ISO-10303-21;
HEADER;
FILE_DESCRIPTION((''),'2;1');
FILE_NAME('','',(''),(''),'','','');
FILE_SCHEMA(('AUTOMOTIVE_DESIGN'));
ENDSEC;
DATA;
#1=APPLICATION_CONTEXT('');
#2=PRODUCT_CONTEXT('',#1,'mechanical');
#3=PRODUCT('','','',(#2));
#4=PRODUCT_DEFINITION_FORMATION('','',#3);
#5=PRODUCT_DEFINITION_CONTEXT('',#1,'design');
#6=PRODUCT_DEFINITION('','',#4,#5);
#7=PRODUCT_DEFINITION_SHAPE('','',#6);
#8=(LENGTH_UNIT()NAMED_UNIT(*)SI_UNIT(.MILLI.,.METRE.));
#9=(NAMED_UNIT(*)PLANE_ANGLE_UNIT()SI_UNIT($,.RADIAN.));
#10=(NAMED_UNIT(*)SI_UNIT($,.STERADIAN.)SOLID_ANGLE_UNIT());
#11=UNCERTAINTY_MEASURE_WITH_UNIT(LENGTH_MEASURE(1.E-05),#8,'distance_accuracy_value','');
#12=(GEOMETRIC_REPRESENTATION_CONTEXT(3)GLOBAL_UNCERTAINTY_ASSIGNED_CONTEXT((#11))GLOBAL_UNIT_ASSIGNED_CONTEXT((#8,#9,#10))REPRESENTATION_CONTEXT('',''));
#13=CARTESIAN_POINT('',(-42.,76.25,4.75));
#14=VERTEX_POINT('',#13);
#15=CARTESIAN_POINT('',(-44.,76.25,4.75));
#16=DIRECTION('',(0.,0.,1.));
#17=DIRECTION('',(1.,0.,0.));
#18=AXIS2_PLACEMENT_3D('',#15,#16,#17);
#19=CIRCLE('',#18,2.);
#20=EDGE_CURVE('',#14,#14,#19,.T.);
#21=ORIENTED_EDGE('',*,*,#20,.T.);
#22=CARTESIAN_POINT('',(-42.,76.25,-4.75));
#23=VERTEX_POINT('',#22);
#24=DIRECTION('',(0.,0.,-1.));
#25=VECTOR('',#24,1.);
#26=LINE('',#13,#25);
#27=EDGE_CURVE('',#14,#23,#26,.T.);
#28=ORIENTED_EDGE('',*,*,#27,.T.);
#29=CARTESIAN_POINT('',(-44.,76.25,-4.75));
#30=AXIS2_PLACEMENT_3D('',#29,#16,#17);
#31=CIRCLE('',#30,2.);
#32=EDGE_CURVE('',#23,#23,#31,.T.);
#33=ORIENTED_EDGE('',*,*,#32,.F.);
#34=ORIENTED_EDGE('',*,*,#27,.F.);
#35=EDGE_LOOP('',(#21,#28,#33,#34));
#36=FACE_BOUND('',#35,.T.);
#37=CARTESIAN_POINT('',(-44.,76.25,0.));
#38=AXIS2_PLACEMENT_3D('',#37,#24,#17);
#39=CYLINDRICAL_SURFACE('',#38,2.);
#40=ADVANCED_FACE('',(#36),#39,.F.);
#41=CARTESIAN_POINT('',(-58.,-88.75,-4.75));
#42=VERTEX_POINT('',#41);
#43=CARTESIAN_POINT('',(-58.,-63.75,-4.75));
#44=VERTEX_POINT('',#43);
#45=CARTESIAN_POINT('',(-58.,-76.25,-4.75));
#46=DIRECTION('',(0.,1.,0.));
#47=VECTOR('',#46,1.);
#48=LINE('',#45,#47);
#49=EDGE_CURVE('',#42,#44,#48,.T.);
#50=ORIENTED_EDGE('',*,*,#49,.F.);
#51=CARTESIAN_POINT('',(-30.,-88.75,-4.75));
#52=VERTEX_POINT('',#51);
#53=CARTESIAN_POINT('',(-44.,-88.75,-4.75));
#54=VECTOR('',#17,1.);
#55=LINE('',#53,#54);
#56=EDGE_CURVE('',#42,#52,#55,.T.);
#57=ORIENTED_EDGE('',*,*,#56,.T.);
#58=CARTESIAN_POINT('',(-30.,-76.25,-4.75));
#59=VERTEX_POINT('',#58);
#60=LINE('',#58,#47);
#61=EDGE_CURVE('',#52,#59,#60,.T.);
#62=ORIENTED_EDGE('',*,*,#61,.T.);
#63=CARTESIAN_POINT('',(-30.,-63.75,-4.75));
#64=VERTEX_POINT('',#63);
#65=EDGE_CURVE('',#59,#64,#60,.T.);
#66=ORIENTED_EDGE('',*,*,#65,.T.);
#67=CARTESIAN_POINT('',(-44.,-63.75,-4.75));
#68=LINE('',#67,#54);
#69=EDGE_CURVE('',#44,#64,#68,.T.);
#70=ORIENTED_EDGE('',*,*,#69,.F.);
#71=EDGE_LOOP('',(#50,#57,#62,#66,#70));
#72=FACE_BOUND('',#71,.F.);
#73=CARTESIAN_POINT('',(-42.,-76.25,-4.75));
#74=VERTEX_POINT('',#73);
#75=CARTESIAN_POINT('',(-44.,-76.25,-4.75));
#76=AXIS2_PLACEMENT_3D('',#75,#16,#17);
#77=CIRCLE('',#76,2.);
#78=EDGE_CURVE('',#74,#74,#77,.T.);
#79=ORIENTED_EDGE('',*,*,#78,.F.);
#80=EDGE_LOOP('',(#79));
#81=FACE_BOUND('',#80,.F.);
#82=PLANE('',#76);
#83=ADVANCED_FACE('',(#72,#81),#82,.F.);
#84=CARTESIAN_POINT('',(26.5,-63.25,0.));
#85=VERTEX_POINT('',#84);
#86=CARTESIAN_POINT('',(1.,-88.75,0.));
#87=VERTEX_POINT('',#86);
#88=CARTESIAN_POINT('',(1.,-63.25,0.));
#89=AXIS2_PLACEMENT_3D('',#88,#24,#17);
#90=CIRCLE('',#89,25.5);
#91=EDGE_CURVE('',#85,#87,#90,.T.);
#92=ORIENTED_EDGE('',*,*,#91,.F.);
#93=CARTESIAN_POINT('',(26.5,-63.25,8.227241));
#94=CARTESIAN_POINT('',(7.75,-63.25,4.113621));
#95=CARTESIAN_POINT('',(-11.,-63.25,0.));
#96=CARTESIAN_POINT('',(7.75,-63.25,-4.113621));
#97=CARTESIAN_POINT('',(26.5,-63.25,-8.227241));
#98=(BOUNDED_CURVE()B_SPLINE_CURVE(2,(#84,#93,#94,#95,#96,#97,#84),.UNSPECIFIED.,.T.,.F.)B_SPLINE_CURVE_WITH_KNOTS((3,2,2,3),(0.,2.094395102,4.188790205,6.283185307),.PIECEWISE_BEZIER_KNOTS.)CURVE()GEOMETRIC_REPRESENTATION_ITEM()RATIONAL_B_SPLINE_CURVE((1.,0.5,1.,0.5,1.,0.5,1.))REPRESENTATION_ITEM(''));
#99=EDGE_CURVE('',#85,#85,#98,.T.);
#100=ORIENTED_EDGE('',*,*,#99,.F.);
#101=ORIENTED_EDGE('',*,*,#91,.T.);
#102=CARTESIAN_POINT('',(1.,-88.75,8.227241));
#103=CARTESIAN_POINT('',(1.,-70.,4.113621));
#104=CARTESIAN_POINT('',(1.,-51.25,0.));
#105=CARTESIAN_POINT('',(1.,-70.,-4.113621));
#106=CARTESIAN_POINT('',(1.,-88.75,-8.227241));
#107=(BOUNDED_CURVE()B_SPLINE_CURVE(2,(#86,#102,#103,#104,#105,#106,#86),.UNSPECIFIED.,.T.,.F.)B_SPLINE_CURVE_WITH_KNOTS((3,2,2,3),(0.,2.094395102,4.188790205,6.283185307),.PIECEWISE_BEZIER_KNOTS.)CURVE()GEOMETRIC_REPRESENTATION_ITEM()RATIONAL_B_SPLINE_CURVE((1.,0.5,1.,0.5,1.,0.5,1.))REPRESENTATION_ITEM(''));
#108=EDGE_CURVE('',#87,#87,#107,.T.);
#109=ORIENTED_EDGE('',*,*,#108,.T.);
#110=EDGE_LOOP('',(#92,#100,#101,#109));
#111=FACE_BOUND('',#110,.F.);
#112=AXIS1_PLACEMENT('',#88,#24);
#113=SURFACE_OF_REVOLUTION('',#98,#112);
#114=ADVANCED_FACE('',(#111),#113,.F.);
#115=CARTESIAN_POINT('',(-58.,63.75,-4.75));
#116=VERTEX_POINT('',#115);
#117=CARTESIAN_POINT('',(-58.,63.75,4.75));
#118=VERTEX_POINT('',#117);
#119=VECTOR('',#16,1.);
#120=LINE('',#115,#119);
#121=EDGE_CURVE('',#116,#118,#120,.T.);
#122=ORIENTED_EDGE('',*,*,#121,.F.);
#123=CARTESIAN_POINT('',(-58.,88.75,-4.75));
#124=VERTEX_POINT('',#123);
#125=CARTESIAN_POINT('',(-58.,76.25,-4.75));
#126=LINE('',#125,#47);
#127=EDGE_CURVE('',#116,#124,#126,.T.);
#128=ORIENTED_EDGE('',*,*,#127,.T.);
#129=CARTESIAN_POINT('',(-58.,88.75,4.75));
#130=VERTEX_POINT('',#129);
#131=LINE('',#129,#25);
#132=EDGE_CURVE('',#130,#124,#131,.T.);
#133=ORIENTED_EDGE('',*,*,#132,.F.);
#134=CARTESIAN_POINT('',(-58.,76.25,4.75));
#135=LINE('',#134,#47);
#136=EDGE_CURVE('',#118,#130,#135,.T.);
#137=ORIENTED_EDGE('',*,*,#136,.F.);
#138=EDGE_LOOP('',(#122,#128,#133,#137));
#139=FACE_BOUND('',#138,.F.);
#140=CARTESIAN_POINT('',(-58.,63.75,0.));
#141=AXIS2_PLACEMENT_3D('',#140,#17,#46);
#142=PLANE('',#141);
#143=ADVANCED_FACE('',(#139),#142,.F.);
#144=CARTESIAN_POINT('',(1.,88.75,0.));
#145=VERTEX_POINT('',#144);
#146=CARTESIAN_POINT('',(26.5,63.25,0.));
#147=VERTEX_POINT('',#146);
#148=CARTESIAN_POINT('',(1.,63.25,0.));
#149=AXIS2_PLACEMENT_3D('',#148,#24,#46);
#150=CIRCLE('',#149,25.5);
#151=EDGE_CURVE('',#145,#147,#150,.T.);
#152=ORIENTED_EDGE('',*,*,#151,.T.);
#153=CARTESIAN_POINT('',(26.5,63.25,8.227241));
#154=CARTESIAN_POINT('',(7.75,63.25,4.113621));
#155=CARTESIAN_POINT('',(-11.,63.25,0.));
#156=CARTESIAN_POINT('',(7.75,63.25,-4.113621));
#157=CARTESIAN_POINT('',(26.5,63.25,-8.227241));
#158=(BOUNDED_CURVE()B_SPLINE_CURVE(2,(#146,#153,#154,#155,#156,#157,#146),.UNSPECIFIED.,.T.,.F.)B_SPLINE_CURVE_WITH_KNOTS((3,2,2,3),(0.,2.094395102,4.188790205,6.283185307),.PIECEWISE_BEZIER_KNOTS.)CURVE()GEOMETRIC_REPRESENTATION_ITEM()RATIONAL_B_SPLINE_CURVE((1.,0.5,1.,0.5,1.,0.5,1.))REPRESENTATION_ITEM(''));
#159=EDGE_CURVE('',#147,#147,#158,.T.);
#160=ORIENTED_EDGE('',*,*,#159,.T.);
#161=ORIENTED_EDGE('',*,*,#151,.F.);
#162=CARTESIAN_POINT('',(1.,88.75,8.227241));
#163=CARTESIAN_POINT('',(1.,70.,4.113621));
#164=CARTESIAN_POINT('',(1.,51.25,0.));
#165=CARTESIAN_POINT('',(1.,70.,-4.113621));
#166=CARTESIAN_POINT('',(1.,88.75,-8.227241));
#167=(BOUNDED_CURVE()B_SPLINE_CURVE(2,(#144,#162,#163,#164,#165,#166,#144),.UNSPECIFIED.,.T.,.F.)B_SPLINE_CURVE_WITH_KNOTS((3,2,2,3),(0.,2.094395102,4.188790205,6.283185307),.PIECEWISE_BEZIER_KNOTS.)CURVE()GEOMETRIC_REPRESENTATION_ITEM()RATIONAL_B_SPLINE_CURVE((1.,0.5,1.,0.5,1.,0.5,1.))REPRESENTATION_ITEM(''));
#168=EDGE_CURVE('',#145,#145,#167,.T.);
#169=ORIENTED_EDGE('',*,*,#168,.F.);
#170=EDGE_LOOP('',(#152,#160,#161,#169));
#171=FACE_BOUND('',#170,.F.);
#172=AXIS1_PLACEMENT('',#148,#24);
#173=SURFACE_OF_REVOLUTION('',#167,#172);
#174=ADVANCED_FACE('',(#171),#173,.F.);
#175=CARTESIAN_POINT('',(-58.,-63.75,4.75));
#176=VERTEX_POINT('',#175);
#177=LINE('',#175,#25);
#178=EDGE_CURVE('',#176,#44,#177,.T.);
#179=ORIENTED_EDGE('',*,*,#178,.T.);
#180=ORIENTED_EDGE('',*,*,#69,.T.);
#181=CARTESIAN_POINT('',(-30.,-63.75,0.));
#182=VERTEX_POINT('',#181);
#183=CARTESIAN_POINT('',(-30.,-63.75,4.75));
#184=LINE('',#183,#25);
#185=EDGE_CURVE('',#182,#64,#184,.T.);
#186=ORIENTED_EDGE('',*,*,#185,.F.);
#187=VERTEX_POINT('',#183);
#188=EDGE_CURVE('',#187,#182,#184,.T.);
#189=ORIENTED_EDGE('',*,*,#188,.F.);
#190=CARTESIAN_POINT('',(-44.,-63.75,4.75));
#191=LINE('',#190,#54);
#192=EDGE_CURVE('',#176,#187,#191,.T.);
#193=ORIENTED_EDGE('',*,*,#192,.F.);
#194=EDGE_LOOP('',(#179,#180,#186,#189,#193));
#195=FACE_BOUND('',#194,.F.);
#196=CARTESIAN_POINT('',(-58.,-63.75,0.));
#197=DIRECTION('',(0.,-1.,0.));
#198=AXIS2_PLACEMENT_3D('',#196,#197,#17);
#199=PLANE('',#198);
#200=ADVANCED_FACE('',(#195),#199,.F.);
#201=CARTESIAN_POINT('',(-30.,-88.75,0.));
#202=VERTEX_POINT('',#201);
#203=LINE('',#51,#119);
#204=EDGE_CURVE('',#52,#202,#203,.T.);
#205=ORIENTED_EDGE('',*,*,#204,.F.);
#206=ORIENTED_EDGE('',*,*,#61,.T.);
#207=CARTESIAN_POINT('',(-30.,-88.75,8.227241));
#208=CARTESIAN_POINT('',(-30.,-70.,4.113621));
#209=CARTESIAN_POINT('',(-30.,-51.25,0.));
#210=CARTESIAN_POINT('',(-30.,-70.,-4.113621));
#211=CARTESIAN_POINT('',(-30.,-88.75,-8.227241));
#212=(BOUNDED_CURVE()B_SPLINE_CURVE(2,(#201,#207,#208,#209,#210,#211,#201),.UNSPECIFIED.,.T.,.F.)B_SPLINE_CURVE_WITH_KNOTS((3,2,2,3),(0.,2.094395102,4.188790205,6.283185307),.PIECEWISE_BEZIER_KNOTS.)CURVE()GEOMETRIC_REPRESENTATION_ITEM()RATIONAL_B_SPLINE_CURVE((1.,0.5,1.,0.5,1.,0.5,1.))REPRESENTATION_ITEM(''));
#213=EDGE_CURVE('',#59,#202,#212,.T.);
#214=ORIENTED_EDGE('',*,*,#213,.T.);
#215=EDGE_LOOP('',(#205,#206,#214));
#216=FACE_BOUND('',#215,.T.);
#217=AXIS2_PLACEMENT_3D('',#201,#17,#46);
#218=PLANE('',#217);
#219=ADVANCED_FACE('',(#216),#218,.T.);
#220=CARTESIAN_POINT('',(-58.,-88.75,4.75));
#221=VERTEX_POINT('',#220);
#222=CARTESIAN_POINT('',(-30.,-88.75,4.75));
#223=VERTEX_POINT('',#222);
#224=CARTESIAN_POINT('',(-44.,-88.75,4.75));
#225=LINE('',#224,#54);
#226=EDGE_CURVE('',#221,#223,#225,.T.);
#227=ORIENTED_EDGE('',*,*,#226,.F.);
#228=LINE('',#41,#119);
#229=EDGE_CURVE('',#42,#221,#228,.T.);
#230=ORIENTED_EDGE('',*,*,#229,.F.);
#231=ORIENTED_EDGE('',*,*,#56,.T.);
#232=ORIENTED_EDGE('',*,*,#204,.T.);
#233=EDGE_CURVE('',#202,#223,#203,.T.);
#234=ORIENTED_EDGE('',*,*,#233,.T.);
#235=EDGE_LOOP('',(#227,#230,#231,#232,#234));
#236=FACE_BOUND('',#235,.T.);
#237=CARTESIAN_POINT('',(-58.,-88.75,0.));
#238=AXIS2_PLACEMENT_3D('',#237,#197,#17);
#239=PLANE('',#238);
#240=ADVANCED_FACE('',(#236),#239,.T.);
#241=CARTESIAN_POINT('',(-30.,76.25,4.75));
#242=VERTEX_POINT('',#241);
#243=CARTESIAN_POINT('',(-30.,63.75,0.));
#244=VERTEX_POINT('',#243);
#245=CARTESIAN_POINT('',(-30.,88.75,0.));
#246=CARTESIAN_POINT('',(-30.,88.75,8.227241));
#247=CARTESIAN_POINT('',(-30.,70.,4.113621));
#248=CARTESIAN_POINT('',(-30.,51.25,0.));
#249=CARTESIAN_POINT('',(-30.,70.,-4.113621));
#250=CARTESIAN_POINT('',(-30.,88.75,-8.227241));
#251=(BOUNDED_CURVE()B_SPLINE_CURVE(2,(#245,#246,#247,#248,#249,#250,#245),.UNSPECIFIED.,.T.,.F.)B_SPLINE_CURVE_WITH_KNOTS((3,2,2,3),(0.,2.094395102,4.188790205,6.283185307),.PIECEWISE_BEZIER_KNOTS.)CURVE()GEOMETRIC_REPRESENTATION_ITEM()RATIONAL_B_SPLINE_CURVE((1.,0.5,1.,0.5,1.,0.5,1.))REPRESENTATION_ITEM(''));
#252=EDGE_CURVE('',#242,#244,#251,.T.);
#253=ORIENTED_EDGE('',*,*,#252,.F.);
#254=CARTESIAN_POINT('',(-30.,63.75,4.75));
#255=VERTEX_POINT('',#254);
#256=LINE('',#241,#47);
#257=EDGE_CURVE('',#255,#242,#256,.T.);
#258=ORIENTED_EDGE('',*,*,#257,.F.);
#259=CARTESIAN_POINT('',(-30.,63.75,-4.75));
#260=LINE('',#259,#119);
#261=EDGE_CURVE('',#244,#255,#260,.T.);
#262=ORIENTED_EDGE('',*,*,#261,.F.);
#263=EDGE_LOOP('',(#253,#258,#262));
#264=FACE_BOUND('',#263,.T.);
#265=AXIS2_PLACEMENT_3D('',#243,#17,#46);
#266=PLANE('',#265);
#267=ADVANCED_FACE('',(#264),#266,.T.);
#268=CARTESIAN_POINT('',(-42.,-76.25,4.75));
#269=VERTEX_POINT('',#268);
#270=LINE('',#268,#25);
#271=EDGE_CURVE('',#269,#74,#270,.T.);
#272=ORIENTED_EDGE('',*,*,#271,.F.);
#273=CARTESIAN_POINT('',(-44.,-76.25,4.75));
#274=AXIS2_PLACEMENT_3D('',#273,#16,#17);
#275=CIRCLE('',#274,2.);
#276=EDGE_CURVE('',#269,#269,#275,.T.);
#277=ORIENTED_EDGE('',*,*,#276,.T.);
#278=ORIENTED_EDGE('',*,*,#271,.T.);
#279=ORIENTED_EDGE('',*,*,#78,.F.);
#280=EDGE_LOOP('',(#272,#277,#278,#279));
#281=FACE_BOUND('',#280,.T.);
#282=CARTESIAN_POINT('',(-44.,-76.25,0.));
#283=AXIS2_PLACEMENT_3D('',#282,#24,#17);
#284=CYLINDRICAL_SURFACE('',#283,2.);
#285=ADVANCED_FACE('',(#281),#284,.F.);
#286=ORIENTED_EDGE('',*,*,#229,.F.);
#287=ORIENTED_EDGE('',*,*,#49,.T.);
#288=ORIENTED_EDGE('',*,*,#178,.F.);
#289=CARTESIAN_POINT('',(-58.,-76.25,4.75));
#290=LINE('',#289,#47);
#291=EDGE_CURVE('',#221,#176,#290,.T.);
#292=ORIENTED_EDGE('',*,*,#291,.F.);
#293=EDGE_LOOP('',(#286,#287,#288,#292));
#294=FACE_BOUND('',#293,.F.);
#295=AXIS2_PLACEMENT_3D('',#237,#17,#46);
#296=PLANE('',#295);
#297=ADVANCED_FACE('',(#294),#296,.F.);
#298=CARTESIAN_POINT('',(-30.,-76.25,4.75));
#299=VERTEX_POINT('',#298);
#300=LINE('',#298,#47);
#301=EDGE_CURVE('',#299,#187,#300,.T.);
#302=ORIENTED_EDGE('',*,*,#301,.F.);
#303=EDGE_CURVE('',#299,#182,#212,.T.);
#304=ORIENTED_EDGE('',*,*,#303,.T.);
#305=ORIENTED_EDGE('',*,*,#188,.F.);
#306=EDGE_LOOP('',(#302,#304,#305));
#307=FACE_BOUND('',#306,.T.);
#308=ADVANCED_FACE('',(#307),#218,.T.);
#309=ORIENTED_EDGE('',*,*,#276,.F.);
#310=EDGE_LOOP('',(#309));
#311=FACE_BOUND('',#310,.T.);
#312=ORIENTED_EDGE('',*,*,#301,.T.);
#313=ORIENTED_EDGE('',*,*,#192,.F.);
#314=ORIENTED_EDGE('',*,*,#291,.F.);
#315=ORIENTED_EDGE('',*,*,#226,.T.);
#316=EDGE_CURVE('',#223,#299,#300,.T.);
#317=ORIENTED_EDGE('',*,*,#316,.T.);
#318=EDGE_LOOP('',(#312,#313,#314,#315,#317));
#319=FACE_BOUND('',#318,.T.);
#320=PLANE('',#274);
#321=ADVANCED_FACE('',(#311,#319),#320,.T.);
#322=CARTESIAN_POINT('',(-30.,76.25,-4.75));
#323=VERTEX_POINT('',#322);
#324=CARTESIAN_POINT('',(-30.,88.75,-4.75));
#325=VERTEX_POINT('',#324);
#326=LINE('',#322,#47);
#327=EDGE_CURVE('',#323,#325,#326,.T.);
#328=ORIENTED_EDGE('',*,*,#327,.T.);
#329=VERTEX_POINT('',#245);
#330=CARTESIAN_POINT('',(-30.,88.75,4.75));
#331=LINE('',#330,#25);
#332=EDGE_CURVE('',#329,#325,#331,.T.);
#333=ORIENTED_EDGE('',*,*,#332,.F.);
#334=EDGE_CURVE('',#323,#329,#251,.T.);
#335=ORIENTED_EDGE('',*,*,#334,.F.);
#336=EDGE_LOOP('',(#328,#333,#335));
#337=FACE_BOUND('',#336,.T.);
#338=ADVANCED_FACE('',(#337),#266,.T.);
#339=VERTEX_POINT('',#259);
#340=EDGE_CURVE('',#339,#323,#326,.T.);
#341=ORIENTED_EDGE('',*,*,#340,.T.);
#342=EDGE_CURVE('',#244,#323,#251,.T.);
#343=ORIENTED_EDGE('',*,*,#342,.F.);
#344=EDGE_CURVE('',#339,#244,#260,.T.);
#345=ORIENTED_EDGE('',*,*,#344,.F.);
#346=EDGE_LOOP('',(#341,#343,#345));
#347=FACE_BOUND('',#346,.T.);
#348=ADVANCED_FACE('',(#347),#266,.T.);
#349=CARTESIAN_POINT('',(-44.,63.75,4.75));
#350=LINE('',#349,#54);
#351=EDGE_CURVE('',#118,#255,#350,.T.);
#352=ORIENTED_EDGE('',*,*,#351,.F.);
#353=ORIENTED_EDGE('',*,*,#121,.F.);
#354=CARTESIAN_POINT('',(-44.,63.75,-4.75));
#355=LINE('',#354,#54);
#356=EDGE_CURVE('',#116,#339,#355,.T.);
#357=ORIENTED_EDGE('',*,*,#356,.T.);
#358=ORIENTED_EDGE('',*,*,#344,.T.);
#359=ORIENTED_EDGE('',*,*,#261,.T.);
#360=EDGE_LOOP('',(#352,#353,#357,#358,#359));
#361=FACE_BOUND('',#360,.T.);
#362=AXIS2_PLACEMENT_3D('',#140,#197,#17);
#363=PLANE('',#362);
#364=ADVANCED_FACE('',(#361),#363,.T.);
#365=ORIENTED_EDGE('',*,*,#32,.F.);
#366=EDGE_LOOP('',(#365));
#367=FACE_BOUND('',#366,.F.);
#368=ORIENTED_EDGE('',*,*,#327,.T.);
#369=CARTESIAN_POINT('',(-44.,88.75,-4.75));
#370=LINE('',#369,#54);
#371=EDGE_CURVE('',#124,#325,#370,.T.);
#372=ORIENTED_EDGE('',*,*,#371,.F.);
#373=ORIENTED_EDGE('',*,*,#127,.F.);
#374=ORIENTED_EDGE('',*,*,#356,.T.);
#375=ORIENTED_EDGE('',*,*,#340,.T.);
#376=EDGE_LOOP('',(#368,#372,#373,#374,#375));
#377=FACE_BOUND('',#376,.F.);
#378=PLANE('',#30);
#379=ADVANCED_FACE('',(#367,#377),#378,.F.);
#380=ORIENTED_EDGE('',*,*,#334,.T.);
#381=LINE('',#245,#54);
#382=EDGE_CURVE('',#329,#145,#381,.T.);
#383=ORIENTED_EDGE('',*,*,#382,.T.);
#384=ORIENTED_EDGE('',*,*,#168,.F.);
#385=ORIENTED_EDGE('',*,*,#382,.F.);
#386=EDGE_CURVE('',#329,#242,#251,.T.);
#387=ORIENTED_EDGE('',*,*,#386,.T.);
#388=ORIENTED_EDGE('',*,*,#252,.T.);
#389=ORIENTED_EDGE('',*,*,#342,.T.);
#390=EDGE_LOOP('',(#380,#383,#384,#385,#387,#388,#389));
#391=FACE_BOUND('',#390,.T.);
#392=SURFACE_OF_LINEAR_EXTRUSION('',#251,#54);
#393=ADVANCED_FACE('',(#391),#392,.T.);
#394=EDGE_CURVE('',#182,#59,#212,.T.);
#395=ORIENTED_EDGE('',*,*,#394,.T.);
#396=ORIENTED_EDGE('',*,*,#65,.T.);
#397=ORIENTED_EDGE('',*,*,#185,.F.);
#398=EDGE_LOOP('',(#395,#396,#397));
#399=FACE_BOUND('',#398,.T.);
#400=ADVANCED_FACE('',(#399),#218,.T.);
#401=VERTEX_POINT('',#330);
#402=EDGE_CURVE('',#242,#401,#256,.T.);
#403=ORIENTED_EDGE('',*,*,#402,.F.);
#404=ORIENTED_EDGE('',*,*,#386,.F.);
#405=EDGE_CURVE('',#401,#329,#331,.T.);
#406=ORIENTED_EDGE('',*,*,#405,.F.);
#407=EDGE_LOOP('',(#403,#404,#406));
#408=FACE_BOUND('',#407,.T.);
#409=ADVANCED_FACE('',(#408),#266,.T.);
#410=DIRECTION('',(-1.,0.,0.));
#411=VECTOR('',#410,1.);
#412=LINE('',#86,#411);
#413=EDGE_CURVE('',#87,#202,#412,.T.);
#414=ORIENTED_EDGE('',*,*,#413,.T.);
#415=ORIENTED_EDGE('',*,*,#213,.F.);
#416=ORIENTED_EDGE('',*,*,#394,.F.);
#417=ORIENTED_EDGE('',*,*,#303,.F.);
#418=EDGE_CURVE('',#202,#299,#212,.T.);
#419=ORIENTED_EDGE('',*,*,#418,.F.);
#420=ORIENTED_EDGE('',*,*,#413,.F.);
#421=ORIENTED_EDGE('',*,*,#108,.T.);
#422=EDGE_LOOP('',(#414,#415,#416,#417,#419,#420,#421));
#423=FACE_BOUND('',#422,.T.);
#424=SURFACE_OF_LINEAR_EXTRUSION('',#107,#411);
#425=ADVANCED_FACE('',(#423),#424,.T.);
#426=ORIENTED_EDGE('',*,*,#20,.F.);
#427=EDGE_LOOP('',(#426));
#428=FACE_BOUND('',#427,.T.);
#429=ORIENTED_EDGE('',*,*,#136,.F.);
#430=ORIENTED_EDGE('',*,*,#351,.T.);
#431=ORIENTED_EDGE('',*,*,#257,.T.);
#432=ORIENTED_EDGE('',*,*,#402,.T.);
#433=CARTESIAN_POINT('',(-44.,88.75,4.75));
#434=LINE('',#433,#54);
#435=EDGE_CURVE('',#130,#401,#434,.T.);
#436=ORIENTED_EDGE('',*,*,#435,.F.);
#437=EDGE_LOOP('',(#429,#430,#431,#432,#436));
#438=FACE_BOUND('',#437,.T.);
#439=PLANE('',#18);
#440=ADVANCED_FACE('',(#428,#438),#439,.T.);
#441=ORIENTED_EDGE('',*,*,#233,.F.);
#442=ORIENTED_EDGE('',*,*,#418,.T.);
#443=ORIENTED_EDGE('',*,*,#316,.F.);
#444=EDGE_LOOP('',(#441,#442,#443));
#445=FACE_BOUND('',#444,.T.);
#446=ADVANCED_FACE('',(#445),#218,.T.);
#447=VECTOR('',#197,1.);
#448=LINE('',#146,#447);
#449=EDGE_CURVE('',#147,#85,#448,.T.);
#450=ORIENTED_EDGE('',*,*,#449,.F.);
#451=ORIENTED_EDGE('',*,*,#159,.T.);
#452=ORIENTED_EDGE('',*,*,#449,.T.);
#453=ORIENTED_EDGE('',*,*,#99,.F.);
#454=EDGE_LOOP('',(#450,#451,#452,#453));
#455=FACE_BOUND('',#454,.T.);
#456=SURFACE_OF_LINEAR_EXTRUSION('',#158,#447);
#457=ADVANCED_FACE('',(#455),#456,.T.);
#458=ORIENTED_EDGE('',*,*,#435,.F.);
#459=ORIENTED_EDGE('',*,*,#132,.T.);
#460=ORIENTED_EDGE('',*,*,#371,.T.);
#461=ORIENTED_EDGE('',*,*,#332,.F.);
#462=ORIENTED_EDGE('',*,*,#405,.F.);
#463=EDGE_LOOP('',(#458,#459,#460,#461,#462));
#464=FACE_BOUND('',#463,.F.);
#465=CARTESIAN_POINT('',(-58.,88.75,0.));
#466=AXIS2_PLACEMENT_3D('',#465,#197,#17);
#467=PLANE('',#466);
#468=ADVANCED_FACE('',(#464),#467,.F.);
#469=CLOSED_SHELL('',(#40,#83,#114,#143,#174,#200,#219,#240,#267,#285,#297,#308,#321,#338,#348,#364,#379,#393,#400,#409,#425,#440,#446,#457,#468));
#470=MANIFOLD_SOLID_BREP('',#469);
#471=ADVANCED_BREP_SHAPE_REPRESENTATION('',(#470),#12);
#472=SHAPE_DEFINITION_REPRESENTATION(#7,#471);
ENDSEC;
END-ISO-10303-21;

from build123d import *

# Parameters (mm, degrees)
F0_W     = 28
F0_H     = 25
F0_R     = 2
F1_DEPTH = 4.75


with BuildPart() as f1:
    # F0 (on Top) → F1 (new body, symmetric)
    with BuildSketch(Plane.XY):
        with Locations((-44, 76.25)):
            Rectangle(F0_W, F0_H)
        with Locations((-44, 76.25)):
            Circle(F0_R, mode=Mode.SUBTRACT)
    extrude(amount=F1_DEPTH, both=True)



with BuildPart() as f1b:
    # F0 (on Top) → F1, piece 2 (new body, symmetric)
    with BuildSketch(Plane.XY):
        with Locations((-44, -76.25)):
            Rectangle(F0_W, F0_H)
        with Locations((-44, -76.25)):
            Circle(F0_R, mode=Mode.SUBTRACT)
    extrude(amount=F1_DEPTH, both=True)


with BuildPart() as f1_1:
    add(f1.part)

    add(f1b.part)  # F4 merges F1b
    # F4: sweep along a path in F2
    with BuildLine(Plane.XY) as f4_path:
        Line((-30, 76.25), (1, 76.25))
        ThreePointArc((1, 76.25), (10.1923881554, 72.4423881554), (14, 63.25))
        Line((14, 63.25), (14, -63.25))
        ThreePointArc((14, -63.25), (10.1923881554, -72.4423881554), (1, -76.25))
        Line((1, -76.25), (-30, -76.25))
    # F3 (on face) → F4 (sweep)
    with BuildSketch(Plane.YZ.offset(-30)):
        with BuildLine():
            add(Edge.make_bspline(
                [(88.75, 0), (88.75, 8.227241336), (70, 4.113620668), (51.25, 0), (70, -4.113620668), (88.75, -8.227241336), (88.75, 0)],
                knots=[0, 0, 0, 2.0943951024, 2.0943951024, 4.1887902048, 4.1887902048, 6.2831853072, 6.2831853072, 6.2831853072], degree=2, weights=[1, 0.5, 1, 0.5, 1, 0.5, 1]))
        make_face()
    sweep(path=f4_path.line)


solid = f1_1.part
